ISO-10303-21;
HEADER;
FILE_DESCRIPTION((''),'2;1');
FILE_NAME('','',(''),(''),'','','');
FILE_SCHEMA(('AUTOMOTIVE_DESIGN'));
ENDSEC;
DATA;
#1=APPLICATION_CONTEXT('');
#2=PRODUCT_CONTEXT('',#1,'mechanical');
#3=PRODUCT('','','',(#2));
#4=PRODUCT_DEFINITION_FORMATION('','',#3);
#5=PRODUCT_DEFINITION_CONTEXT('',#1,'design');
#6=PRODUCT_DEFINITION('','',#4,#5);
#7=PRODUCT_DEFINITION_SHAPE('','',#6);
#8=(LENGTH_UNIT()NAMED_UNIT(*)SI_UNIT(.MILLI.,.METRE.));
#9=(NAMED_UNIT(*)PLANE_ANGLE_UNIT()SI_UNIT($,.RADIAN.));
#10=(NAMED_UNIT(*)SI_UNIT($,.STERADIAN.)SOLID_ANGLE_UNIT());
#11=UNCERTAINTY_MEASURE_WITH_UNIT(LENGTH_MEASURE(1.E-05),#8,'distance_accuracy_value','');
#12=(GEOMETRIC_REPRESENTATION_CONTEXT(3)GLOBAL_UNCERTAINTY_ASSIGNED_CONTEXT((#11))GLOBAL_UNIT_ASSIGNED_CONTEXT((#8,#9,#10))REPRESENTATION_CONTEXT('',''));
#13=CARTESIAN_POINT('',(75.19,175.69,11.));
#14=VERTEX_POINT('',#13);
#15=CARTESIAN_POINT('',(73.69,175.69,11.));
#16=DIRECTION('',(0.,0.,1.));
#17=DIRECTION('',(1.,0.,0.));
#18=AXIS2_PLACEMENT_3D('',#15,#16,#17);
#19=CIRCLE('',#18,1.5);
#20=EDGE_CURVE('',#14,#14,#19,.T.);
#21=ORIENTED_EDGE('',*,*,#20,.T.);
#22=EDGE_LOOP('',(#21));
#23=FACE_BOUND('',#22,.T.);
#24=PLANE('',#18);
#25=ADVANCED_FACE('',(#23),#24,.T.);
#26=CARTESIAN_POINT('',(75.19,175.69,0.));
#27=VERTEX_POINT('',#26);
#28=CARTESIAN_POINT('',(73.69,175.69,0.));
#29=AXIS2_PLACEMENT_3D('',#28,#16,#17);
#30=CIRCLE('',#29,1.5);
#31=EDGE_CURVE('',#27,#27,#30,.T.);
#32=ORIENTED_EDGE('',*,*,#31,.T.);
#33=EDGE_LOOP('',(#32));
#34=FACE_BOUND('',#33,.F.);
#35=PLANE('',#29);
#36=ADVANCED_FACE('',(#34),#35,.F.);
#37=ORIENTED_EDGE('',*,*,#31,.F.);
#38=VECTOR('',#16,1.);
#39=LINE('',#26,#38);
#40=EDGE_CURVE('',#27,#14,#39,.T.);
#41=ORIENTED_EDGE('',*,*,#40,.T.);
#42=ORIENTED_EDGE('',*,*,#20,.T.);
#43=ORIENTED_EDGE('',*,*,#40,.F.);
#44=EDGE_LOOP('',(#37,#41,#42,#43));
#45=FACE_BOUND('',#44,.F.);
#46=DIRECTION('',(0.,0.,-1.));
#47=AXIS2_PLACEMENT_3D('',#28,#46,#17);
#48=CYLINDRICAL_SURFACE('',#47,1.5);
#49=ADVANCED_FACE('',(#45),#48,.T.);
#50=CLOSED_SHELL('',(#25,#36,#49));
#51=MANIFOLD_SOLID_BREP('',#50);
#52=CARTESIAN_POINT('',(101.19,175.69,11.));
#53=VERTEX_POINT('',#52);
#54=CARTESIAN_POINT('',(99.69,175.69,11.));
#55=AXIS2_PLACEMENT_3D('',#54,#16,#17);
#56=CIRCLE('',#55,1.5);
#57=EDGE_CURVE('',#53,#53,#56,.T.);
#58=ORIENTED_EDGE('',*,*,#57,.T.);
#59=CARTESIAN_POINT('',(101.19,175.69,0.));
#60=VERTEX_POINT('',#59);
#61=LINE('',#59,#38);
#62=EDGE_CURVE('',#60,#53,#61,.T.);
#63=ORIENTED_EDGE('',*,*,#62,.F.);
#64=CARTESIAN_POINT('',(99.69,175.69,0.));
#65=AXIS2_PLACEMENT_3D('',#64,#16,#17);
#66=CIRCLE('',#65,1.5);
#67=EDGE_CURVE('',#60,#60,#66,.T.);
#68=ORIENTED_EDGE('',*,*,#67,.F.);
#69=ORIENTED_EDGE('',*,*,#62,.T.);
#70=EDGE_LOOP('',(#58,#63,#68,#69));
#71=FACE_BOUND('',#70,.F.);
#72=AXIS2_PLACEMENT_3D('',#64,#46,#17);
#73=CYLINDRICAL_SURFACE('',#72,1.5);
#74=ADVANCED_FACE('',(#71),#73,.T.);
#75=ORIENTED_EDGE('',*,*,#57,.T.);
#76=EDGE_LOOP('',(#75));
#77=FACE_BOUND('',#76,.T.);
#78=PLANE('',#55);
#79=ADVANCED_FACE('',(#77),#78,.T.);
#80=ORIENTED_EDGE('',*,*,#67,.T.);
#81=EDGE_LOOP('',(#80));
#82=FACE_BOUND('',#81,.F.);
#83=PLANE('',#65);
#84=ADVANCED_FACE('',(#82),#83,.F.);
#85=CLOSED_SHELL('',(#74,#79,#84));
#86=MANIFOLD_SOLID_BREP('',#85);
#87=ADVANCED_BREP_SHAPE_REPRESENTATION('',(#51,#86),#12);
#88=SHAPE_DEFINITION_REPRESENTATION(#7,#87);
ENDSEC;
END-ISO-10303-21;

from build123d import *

# Parameters (mm, degrees)
CYLINDER103_R     = 1.5
CYLINDER103_DEPTH = 11
CYLINDER107_R     = 1.5
CYLINDER107_DEPTH = 11


with BuildPart() as ftthreaded003:
    # Cylinder103 → Cylinder103 (new body)
    with BuildSketch(Plane(origin=(99.69, 175.69, 0), x_dir=(1, 0, 0), z_dir=(0, 0, 1))):
        Circle(CYLINDER103_R)
    extrude(amount=CYLINDER103_DEPTH)


with BuildPart() as rfftmounts1:
    # Cylinder107 → Cylinder107 (new body)
    with BuildSketch(Plane(origin=(73.69, 175.69, 0), x_dir=(1, 0, 0), z_dir=(0, 0, 1))):
        Circle(CYLINDER107_R)
    extrude(amount=CYLINDER107_DEPTH)

    # Fusion047: union FTThreaded003
    add(ftthreaded003.part)


solid = rfftmounts1.part
